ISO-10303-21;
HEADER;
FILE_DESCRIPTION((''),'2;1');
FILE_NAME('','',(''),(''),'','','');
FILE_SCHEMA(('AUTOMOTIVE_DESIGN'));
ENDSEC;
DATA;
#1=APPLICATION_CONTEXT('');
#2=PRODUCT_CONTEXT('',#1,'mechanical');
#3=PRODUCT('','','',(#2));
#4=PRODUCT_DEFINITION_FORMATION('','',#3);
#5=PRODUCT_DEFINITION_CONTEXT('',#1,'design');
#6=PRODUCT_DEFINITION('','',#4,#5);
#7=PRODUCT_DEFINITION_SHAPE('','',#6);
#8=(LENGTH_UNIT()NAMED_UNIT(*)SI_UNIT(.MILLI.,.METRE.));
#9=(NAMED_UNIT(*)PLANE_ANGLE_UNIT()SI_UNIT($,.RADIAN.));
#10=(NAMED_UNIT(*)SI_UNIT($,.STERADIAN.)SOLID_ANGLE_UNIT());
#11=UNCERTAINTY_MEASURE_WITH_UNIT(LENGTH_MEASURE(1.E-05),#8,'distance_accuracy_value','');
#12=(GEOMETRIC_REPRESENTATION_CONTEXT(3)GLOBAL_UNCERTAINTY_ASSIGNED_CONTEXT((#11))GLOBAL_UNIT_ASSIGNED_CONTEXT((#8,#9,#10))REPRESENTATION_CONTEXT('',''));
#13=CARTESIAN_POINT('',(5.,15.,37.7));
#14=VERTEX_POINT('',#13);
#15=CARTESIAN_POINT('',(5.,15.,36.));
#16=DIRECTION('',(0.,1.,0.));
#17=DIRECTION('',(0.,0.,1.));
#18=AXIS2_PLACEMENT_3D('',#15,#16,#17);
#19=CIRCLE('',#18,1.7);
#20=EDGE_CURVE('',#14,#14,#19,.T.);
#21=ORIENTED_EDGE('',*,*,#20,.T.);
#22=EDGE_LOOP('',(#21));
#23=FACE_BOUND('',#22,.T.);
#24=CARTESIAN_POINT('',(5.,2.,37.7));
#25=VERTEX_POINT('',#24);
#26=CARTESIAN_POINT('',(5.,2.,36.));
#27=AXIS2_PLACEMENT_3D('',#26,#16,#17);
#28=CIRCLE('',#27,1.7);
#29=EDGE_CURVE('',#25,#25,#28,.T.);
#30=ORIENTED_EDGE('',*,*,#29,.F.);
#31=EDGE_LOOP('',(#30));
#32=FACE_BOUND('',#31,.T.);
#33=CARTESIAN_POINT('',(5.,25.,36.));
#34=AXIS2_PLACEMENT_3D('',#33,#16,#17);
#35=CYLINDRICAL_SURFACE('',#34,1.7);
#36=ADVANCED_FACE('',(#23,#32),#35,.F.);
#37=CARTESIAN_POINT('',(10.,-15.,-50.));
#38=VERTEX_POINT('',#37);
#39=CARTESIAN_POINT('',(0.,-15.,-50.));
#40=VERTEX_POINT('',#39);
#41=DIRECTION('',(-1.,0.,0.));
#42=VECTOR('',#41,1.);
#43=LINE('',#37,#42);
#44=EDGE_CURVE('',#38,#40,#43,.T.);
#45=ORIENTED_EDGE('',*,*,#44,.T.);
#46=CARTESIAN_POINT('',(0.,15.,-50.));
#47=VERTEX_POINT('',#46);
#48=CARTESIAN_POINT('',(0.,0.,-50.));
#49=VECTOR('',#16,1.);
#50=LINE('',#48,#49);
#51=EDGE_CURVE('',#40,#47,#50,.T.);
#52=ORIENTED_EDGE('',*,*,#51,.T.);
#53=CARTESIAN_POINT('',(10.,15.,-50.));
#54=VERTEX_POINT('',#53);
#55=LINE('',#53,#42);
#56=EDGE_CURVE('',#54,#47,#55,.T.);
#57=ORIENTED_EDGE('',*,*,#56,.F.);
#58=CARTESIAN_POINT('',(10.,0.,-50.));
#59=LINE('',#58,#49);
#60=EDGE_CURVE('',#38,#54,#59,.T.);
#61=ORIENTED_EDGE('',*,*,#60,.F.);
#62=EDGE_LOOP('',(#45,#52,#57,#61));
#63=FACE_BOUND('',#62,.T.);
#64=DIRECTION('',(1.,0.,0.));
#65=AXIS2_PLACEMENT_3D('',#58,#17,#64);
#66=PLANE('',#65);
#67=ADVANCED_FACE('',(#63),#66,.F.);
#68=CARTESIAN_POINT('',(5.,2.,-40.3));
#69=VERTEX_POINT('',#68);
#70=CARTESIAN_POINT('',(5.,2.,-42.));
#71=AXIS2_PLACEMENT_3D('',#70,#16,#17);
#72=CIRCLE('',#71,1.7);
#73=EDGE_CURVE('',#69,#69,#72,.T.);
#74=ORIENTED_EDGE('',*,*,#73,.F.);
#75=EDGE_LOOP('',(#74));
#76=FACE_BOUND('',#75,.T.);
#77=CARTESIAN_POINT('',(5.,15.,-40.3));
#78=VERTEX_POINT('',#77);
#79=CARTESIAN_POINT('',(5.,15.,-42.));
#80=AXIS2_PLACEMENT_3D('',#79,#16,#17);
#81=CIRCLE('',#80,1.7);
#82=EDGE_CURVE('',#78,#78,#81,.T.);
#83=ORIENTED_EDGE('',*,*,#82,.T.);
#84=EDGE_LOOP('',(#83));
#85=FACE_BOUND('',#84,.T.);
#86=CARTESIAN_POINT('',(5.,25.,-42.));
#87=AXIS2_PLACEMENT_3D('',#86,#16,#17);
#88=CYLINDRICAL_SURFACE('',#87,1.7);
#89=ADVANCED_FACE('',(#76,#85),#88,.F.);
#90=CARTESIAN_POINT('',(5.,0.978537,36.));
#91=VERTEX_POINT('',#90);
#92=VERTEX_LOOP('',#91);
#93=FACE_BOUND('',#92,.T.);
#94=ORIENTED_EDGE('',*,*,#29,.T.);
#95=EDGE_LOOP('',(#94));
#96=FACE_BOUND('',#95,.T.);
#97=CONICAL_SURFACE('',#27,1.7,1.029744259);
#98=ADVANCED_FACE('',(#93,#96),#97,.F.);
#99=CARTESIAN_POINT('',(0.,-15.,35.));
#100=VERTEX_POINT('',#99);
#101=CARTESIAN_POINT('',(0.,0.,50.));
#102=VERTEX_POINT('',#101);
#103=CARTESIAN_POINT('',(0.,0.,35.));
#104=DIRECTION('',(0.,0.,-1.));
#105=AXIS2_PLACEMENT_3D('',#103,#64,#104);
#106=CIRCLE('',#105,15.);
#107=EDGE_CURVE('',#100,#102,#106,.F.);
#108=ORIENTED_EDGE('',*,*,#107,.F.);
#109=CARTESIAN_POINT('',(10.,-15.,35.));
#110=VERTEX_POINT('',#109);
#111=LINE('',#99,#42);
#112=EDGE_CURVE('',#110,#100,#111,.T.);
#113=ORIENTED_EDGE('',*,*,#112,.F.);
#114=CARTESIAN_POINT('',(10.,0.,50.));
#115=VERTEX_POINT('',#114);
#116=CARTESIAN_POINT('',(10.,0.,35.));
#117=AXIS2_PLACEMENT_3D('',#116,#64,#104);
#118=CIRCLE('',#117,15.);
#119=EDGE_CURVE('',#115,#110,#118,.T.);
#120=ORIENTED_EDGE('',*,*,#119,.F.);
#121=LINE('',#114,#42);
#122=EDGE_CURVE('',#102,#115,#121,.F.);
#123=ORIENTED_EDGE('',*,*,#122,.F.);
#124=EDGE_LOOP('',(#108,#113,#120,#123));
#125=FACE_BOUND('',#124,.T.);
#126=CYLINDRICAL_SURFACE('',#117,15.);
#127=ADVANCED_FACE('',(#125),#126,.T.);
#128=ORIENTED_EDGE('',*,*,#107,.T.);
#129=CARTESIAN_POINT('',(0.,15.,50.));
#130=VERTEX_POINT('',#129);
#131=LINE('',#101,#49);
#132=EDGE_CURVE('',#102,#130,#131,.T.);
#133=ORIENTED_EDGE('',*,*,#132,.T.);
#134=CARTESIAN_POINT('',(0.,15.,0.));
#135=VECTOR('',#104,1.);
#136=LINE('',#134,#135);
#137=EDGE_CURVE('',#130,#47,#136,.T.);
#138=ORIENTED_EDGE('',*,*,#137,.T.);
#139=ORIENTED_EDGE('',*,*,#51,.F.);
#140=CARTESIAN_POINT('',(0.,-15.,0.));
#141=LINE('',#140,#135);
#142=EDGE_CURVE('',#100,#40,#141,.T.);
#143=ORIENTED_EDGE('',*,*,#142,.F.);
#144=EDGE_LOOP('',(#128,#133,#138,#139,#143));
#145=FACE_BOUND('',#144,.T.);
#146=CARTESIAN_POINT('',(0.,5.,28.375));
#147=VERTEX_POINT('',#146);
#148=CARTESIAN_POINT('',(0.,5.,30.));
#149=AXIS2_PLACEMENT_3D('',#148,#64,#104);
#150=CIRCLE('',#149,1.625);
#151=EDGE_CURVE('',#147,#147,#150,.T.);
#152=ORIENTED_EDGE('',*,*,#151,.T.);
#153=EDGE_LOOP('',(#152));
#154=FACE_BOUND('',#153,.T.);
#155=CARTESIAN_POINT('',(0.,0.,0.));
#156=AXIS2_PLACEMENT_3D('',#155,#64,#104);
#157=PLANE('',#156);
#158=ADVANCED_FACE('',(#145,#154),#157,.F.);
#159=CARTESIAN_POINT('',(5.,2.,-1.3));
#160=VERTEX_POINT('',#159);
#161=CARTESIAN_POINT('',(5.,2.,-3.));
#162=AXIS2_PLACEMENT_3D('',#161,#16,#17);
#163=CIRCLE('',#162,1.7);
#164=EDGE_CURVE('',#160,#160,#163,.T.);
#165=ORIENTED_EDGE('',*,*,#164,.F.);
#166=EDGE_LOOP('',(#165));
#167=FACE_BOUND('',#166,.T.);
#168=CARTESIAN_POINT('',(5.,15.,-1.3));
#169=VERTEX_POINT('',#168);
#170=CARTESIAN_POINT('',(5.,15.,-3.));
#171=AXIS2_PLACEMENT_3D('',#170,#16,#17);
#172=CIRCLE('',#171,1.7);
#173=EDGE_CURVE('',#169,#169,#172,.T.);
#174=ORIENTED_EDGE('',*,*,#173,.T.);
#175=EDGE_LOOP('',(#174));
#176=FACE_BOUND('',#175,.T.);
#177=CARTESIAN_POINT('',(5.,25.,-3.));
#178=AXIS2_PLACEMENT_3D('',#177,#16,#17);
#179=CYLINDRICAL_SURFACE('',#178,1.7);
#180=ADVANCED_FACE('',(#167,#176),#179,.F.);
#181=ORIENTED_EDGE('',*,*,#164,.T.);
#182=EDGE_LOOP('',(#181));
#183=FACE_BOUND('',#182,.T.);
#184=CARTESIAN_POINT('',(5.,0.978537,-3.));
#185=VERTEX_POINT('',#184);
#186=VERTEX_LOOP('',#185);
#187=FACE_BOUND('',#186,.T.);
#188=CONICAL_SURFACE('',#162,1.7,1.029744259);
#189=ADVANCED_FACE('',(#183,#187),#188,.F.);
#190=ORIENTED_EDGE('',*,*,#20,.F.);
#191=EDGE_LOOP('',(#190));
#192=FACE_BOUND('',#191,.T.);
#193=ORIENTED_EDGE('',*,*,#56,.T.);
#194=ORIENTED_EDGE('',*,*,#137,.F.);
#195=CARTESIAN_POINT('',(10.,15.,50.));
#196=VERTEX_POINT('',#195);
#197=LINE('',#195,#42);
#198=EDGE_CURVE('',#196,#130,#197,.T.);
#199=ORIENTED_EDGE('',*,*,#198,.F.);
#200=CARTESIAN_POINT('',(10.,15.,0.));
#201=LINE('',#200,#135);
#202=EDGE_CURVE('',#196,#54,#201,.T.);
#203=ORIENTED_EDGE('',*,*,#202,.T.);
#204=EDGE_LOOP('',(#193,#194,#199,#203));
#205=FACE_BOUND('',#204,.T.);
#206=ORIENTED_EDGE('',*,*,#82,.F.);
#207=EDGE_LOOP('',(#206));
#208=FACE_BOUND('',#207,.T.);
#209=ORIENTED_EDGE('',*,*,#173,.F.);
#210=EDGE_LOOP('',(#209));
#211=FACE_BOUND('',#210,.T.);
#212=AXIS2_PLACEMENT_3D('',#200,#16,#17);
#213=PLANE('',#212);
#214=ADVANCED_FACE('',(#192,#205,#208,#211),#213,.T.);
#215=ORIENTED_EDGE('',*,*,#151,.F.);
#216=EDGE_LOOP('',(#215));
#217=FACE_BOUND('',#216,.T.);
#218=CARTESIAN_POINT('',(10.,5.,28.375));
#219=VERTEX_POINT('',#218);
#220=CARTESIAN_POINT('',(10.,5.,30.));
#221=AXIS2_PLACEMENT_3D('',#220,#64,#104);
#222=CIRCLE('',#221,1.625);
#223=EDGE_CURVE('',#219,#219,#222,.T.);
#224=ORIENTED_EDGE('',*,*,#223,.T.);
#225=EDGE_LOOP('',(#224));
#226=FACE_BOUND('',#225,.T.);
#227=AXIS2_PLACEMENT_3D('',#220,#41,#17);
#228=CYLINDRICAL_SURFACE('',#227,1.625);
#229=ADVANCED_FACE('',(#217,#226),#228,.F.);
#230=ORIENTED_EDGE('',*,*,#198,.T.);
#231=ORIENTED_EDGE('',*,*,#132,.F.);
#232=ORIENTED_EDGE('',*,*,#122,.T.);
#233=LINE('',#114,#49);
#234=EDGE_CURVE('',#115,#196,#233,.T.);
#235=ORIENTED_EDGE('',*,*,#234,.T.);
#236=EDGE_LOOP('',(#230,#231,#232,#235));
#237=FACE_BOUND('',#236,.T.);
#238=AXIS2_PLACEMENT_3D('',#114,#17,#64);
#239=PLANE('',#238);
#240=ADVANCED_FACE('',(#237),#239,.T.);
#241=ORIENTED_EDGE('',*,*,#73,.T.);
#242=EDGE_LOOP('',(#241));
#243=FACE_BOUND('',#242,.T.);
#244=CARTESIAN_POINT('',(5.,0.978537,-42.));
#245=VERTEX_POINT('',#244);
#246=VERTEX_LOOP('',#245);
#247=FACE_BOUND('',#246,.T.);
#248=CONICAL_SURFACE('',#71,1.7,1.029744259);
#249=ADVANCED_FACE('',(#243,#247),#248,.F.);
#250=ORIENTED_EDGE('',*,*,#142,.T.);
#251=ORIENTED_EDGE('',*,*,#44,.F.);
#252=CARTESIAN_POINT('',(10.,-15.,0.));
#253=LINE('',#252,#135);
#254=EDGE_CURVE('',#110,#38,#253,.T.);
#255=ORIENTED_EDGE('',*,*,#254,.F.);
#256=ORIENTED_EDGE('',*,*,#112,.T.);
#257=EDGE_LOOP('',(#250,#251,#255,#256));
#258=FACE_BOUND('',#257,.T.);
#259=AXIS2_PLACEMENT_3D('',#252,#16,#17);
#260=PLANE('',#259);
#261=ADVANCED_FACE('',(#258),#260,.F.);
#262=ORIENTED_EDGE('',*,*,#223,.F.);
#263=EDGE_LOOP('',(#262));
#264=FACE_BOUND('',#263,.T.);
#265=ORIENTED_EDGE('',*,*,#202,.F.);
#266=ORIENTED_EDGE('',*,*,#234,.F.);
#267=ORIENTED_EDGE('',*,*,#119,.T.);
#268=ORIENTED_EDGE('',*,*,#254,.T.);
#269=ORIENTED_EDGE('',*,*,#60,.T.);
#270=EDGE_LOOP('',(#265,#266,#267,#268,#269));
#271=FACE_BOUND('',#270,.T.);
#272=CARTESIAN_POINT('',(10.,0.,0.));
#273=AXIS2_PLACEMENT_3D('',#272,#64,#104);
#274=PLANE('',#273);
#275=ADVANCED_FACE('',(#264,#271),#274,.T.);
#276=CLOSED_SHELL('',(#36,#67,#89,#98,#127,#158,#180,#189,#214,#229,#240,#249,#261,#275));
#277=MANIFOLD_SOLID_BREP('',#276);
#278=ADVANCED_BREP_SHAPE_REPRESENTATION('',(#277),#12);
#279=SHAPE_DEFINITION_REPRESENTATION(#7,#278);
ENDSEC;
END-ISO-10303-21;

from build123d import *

# Parameters (mm, degrees)
SKETCH1_W                     = 100
SKETCH1_H                     = 30
SKETCH1_R                     = 1.625
BOSS_EXTRUDE1_DEPTH           = 10
FILLET1_R                     = 15
CBORE_FOR_M3_SHCS_D           = 3.4
CBORE_FOR_M3_SHCS_DEPTH       = 23
CBORE_FOR_M3_SHCS_CBORE_D     = 6.5
CBORE_FOR_M3_SHCS_CBORE_DEPTH = 3
CBORE_FOR_M3_SHCS_TIP         = 1.021463052


with BuildPart() as part:
    # Sketch1 → Boss-Extrude1 (new body)
    with BuildSketch(Plane(origin=(0, 0, 0), x_dir=(0, 0, -1), z_dir=(1, 0, 0))):
        Rectangle(SKETCH1_W, SKETCH1_H)
        with Locations((-30, 5)):
            Circle(SKETCH1_R, mode=Mode.SUBTRACT)
    extrude(amount=BOSS_EXTRUDE1_DEPTH)

    # Fillet1
    fillet1_edges = [part.edges().sort_by_distance(p)[0] for p in [
        (5, -15, 50),
    ]]
    fillet(fillet1_edges, radius=FILLET1_R)

    # CBORE for M3 SHCS
    with Locations(Plane(origin=(-726.293536786, 25, -1323.282701689), x_dir=(1, 0, 0), z_dir=(0, 1, 0))):
        with Locations((731.293536786, -1281.282701689), (731.293536786, -1359.282701689), (621.293536786, -1281.282701689), (621.293536786, -1365.282701689), (621.293536786, -1323.282701689), (731.293536786, -1320.282701689)):
            CounterBoreHole(CBORE_FOR_M3_SHCS_D / 2, CBORE_FOR_M3_SHCS_CBORE_D / 2, CBORE_FOR_M3_SHCS_CBORE_DEPTH, depth=CBORE_FOR_M3_SHCS_DEPTH)
            with Locations((0, 0, -(CBORE_FOR_M3_SHCS_DEPTH + CBORE_FOR_M3_SHCS_TIP / 2))):  # 118° drill point
                Cone(0, CBORE_FOR_M3_SHCS_D / 2, CBORE_FOR_M3_SHCS_TIP, mode=Mode.SUBTRACT)


solid = part.part
